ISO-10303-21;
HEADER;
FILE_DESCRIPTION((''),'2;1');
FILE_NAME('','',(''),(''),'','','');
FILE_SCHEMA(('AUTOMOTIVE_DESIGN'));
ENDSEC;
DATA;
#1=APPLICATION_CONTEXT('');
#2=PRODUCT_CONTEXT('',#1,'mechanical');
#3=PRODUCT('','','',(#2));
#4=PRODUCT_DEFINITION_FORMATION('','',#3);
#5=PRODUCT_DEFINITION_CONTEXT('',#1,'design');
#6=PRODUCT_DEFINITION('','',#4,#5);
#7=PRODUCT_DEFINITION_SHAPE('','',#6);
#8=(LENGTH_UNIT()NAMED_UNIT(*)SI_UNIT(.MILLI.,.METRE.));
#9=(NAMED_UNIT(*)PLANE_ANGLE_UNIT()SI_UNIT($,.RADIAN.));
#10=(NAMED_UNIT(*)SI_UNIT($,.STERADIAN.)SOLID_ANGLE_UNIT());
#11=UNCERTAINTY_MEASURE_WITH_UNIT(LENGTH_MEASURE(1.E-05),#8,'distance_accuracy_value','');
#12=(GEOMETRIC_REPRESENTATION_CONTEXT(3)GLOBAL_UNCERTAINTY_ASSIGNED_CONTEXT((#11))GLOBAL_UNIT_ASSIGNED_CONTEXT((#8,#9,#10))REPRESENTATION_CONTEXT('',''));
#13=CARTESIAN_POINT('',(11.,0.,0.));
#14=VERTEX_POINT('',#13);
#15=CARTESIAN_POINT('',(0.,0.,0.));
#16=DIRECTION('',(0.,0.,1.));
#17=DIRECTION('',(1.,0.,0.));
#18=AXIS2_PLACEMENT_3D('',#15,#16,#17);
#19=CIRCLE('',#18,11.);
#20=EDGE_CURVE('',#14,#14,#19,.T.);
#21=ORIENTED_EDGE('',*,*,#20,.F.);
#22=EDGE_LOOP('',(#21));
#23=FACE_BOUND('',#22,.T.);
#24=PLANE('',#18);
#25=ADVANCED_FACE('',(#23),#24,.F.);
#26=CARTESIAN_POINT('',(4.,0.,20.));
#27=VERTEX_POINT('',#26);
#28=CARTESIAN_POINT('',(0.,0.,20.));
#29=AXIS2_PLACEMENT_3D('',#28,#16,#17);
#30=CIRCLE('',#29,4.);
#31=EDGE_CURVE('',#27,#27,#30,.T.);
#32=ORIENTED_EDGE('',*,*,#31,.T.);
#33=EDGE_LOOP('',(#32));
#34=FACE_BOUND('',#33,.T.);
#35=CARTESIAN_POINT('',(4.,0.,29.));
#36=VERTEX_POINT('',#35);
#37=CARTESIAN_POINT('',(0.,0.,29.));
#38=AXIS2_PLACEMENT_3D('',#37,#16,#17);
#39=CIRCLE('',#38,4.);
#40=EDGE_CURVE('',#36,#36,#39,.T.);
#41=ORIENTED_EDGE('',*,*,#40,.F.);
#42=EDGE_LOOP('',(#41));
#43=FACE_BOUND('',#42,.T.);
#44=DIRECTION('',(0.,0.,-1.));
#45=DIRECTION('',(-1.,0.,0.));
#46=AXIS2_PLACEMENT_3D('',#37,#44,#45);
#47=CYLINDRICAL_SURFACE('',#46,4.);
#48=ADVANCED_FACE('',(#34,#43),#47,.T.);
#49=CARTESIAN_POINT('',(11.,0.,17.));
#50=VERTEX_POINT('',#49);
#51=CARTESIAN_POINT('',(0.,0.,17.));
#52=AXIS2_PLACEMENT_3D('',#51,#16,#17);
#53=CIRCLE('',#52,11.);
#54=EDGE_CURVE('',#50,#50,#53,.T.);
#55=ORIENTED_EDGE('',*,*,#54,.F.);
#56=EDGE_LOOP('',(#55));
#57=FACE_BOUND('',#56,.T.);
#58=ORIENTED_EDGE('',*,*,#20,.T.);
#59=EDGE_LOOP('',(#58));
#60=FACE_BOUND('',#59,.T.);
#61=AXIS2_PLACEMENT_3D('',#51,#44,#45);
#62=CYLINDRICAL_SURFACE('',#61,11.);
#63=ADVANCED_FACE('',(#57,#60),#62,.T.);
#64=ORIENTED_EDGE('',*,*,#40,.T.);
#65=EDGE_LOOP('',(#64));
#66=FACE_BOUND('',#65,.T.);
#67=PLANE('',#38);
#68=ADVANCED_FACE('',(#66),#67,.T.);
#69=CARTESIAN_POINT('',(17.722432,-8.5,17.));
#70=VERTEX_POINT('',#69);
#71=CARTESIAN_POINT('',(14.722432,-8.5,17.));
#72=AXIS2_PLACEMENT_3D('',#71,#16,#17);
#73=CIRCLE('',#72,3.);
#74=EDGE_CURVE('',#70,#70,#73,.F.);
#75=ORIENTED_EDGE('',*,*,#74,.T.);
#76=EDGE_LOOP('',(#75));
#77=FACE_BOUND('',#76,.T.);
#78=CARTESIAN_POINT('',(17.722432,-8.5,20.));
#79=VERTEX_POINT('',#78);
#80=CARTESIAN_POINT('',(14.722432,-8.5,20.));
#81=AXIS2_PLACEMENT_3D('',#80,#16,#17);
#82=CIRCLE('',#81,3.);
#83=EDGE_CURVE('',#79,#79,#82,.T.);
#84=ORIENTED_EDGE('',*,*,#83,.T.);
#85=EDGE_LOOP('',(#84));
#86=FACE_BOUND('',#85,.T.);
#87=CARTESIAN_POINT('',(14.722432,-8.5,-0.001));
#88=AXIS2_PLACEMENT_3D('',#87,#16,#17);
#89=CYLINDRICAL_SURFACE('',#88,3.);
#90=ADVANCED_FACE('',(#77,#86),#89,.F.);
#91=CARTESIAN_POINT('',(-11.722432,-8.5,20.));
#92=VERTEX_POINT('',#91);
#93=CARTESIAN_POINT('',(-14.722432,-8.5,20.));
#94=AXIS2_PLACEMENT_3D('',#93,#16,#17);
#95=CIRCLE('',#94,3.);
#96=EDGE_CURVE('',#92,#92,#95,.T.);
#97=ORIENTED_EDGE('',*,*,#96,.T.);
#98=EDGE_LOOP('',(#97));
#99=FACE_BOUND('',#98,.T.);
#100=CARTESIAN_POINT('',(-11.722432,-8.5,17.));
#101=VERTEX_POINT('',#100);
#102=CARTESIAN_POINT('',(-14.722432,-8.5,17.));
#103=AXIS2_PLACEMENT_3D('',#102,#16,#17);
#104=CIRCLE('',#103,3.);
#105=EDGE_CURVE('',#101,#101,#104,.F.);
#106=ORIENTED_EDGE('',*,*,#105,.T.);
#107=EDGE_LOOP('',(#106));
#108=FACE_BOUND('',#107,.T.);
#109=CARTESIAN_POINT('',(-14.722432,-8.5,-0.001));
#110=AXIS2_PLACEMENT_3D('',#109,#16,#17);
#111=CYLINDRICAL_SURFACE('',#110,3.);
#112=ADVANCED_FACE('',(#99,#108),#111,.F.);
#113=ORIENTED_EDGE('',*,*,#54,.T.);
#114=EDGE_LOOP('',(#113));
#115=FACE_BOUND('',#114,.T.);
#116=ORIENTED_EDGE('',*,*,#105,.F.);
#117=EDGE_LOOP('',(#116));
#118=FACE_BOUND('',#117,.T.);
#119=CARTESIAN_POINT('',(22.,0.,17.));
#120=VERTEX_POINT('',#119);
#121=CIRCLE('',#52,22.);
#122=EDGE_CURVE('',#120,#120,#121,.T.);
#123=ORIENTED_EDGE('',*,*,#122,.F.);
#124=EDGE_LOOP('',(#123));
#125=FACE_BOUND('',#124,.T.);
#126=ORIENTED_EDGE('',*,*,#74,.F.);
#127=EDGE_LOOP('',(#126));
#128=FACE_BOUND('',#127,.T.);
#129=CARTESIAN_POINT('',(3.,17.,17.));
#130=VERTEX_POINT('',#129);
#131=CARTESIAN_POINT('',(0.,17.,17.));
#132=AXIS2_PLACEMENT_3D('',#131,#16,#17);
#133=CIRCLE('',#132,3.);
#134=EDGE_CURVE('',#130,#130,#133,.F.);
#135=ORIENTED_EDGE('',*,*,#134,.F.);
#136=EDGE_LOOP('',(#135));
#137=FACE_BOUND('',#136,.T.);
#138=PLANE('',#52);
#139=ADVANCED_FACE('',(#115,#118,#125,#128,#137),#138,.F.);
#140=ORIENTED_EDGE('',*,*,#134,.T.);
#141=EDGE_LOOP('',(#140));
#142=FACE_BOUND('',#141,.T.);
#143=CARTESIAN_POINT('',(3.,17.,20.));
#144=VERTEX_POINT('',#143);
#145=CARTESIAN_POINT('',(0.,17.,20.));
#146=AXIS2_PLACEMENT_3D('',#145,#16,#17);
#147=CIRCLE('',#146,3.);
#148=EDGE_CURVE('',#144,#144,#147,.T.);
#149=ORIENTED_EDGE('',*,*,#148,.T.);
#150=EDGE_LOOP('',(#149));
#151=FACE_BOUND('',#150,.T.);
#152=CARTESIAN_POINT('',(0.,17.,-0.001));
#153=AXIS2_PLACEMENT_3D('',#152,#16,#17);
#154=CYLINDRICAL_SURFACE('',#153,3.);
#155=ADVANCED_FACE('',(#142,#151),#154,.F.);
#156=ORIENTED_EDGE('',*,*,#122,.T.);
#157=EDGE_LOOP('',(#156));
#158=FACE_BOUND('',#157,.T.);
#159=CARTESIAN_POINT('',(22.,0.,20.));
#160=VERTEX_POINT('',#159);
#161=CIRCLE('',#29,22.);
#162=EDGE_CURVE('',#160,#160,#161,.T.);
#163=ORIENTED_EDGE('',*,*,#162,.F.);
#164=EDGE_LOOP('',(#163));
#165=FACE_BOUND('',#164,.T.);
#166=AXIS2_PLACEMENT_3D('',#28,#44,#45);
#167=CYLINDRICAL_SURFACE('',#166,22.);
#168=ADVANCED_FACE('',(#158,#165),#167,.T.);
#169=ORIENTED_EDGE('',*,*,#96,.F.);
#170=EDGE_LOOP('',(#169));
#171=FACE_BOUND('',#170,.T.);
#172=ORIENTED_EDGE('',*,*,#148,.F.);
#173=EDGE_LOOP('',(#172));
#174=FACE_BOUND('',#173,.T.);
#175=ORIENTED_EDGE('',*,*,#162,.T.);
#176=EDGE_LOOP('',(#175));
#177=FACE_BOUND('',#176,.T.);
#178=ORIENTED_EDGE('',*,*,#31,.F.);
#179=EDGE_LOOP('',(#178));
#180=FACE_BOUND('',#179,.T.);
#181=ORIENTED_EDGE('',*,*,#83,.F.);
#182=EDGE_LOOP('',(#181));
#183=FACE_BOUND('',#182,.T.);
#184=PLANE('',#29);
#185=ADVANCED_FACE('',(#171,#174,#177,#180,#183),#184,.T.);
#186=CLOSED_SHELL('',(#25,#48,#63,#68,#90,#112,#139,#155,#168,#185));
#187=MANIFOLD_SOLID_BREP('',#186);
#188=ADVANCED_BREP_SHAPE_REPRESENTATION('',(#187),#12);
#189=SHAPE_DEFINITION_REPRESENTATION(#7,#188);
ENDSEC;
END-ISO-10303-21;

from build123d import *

# Parameters (mm, degrees)
ESQUISSE1_R             = 11
BOSS_EXTRU_1_DEPTH      = 17
ESQUISSE2_R             = 22
BOSS_EXTRU_2_DEPTH      = 3
ESQUISSE3_R             = 4
BOSS_EXTRU_3_DEPTH      = 9
ENL_V_MAT_EXTRU_1_REACH = 38.986
ESQUISSE5_R             = 3


with BuildPart() as part:
    # Esquisse1 → Boss.-Extru.1 (new body)
    with BuildSketch(Plane.XY):
        Circle(ESQUISSE1_R)
    extrude(amount=BOSS_EXTRU_1_DEPTH)

    # Esquisse2 → Boss.-Extru.2 (add)
    with BuildSketch(Plane.XY.offset(17)):
        Circle(ESQUISSE2_R)
    extrude(amount=BOSS_EXTRU_2_DEPTH)

    # Esquisse3 → Boss.-Extru.3 (add)
    with BuildSketch(Plane.XY.offset(20)):
        Circle(ESQUISSE3_R)
    extrude(amount=BOSS_EXTRU_3_DEPTH)

    # Esquisse5 → Enlèv. mat.-Extru.1 (cut, up to next)
    with BuildSketch(Plane.XY.offset(20), mode=Mode.PRIVATE) as enl_v_mat_extru_1_sk1:
        with Locations((0, 17)):
            Circle(ESQUISSE5_R)
    enl_v_mat_extru_1_tool1 = extrude(enl_v_mat_extru_1_sk1.sketch, amount=-ENL_V_MAT_EXTRU_1_REACH, mode=Mode.PRIVATE) & part.part
    # Esquisse5 → Enlèv. mat.-Extru.1 (cut, up to next)
    with BuildSketch(Plane.XY.offset(20), mode=Mode.PRIVATE) as enl_v_mat_extru_1_sk2:
        with Locations((14.722431864, -8.5)):
            Circle(ESQUISSE5_R)
    enl_v_mat_extru_1_tool2 = extrude(enl_v_mat_extru_1_sk2.sketch, amount=-ENL_V_MAT_EXTRU_1_REACH, mode=Mode.PRIVATE) & part.part
    # Esquisse5 → Enlèv. mat.-Extru.1 (cut, up to next)
    with BuildSketch(Plane.XY.offset(20), mode=Mode.PRIVATE) as enl_v_mat_extru_1_sk3:
        with Locations((-14.722431864, -8.5)):
            Circle(ESQUISSE5_R)
    enl_v_mat_extru_1_tool3 = extrude(enl_v_mat_extru_1_sk3.sketch, amount=-ENL_V_MAT_EXTRU_1_REACH, mode=Mode.PRIVATE) & part.part
    add(enl_v_mat_extru_1_tool1.solids().sort_by_distance((0, 17, 20))[0], mode=Mode.SUBTRACT)
    add(enl_v_mat_extru_1_tool2.solids().sort_by_distance((14.722432, -8.5, 20))[0], mode=Mode.SUBTRACT)
    add(enl_v_mat_extru_1_tool3.solids().sort_by_distance((-14.722432, -8.5, 20))[0], mode=Mode.SUBTRACT)


solid = part.part
